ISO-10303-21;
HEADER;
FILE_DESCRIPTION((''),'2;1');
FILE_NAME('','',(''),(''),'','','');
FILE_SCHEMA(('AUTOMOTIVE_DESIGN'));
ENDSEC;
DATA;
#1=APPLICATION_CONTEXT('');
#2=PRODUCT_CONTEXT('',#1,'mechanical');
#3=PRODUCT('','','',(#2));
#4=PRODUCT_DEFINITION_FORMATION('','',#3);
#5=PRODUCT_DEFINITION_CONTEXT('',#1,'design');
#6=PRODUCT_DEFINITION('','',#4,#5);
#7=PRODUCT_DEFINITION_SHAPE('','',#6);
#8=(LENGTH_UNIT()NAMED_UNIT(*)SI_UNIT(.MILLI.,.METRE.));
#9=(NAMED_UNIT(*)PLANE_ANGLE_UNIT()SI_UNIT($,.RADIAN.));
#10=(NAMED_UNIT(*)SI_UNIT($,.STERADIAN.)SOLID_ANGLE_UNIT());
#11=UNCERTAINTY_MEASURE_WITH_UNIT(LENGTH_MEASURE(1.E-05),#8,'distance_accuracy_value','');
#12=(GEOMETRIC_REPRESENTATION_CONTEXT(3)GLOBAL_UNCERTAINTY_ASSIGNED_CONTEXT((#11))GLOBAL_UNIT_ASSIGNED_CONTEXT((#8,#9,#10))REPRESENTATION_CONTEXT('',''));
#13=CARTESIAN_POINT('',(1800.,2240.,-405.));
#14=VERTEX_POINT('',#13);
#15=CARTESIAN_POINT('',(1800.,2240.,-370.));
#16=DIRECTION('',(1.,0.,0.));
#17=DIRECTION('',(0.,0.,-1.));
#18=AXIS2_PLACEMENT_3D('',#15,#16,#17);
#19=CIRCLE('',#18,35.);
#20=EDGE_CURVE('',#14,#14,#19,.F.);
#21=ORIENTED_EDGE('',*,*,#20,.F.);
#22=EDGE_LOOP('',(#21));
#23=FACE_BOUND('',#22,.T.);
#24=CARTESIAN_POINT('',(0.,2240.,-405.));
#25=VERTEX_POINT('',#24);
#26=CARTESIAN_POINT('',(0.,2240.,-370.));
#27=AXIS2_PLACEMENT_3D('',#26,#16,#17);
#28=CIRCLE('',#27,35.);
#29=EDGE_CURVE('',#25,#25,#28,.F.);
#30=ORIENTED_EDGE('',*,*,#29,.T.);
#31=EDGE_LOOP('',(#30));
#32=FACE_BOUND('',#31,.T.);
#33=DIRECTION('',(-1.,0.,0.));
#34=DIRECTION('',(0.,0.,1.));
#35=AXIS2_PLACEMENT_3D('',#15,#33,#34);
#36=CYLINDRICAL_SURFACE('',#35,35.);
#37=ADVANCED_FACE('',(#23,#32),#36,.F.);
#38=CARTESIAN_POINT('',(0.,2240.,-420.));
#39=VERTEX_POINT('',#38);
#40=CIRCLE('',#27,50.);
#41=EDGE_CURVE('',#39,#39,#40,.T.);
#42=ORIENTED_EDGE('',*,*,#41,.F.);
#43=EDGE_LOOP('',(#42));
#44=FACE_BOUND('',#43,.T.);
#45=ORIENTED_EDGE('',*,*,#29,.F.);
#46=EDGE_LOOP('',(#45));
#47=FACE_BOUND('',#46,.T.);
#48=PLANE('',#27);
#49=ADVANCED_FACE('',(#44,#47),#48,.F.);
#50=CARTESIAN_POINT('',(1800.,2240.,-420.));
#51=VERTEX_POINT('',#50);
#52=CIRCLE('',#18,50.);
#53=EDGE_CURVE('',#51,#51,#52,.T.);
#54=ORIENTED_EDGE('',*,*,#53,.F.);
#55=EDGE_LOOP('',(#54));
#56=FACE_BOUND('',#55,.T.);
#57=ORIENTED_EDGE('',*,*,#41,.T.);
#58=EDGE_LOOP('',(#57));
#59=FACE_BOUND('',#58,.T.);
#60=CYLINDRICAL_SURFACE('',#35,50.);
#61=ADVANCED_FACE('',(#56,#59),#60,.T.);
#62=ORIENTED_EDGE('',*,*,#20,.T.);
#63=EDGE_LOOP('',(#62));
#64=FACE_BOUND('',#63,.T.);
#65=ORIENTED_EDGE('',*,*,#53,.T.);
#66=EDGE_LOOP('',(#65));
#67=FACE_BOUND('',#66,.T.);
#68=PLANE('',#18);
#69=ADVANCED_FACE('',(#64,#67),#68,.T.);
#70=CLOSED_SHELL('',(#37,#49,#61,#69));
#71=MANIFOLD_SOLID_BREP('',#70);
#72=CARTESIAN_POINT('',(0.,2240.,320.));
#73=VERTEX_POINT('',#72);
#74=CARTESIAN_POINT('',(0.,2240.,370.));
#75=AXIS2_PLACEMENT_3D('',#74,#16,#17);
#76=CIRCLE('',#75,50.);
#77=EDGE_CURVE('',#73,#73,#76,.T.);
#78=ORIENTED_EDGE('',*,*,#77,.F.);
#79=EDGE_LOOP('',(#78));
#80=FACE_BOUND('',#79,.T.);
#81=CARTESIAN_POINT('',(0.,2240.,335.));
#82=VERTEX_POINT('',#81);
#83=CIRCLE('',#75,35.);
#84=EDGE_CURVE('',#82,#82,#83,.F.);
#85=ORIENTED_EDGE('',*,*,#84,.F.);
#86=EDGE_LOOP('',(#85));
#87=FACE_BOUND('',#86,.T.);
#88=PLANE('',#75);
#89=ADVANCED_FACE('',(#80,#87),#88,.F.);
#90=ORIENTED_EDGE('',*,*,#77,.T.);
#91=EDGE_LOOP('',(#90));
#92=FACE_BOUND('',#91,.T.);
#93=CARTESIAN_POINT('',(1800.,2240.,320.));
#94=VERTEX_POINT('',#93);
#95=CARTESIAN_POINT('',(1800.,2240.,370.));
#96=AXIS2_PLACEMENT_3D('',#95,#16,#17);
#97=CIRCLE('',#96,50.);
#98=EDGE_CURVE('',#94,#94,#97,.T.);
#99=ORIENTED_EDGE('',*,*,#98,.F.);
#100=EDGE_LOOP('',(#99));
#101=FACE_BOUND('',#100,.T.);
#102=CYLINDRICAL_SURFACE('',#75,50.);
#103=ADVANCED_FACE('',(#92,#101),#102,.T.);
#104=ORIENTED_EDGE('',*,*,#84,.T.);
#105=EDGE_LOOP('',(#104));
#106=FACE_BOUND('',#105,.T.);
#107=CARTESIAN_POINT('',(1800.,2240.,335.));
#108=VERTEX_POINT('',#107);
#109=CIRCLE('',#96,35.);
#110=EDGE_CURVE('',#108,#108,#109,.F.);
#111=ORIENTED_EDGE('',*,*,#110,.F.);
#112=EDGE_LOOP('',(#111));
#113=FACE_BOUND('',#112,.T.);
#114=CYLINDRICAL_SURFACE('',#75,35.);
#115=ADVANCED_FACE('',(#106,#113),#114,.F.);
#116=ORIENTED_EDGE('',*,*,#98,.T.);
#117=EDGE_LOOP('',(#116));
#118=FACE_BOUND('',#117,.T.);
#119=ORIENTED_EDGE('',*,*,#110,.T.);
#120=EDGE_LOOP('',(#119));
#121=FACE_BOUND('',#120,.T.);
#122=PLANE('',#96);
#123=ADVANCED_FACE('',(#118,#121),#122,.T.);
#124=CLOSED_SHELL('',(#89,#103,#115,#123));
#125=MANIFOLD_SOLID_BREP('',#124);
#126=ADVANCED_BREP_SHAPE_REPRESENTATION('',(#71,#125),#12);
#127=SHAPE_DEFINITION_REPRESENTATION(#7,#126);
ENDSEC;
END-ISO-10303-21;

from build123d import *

# Parameters (mm, degrees)
SKETCH11_R   = 50
SKETCH11_R_2 = 35
SKETCH12_R   = 50
SKETCH12_R_2 = 35


with BuildPart() as part:
    # MemberTL: sweep along a path in Sketch7
    with BuildLine(Plane(origin=(0, 2240, 0), x_dir=(-1, 0, 0), z_dir=(0, -1, 0))) as membertl_path:
        Line((-1800, 370), (0, 370))
    # Sketch11 → MemberTL (sweep)
    with BuildSketch(Plane(origin=(0, 0, 0), x_dir=(0, 0, -1), z_dir=(1, 0, 0))):
        with Locations((370, 2240)):
            Circle(SKETCH11_R)
        with Locations((370, 2240)):
            Circle(SKETCH11_R_2, mode=Mode.SUBTRACT)
    sweep(path=membertl_path.line)


with BuildPart() as body_2:
    # MemberTR: sweep along a path in Sketch13
    with BuildLine(Plane(origin=(0, 2240, 0), x_dir=(-1, 0, 0), z_dir=(0, -1, 0))) as membertr_path:
        Line((0, -370), (-1800, -370))
    # Sketch12 → MemberTR (sweep)
    with BuildSketch(Plane(origin=(0, 0, 0), x_dir=(0, 0, -1), z_dir=(1, 0, 0))):
        with Locations((-370, 2240)):
            Circle(SKETCH12_R)
        with Locations((-370, 2240)):
            Circle(SKETCH12_R_2, mode=Mode.SUBTRACT)
    sweep(path=membertr_path.line)


solid = Compound([part.part, body_2.part])
